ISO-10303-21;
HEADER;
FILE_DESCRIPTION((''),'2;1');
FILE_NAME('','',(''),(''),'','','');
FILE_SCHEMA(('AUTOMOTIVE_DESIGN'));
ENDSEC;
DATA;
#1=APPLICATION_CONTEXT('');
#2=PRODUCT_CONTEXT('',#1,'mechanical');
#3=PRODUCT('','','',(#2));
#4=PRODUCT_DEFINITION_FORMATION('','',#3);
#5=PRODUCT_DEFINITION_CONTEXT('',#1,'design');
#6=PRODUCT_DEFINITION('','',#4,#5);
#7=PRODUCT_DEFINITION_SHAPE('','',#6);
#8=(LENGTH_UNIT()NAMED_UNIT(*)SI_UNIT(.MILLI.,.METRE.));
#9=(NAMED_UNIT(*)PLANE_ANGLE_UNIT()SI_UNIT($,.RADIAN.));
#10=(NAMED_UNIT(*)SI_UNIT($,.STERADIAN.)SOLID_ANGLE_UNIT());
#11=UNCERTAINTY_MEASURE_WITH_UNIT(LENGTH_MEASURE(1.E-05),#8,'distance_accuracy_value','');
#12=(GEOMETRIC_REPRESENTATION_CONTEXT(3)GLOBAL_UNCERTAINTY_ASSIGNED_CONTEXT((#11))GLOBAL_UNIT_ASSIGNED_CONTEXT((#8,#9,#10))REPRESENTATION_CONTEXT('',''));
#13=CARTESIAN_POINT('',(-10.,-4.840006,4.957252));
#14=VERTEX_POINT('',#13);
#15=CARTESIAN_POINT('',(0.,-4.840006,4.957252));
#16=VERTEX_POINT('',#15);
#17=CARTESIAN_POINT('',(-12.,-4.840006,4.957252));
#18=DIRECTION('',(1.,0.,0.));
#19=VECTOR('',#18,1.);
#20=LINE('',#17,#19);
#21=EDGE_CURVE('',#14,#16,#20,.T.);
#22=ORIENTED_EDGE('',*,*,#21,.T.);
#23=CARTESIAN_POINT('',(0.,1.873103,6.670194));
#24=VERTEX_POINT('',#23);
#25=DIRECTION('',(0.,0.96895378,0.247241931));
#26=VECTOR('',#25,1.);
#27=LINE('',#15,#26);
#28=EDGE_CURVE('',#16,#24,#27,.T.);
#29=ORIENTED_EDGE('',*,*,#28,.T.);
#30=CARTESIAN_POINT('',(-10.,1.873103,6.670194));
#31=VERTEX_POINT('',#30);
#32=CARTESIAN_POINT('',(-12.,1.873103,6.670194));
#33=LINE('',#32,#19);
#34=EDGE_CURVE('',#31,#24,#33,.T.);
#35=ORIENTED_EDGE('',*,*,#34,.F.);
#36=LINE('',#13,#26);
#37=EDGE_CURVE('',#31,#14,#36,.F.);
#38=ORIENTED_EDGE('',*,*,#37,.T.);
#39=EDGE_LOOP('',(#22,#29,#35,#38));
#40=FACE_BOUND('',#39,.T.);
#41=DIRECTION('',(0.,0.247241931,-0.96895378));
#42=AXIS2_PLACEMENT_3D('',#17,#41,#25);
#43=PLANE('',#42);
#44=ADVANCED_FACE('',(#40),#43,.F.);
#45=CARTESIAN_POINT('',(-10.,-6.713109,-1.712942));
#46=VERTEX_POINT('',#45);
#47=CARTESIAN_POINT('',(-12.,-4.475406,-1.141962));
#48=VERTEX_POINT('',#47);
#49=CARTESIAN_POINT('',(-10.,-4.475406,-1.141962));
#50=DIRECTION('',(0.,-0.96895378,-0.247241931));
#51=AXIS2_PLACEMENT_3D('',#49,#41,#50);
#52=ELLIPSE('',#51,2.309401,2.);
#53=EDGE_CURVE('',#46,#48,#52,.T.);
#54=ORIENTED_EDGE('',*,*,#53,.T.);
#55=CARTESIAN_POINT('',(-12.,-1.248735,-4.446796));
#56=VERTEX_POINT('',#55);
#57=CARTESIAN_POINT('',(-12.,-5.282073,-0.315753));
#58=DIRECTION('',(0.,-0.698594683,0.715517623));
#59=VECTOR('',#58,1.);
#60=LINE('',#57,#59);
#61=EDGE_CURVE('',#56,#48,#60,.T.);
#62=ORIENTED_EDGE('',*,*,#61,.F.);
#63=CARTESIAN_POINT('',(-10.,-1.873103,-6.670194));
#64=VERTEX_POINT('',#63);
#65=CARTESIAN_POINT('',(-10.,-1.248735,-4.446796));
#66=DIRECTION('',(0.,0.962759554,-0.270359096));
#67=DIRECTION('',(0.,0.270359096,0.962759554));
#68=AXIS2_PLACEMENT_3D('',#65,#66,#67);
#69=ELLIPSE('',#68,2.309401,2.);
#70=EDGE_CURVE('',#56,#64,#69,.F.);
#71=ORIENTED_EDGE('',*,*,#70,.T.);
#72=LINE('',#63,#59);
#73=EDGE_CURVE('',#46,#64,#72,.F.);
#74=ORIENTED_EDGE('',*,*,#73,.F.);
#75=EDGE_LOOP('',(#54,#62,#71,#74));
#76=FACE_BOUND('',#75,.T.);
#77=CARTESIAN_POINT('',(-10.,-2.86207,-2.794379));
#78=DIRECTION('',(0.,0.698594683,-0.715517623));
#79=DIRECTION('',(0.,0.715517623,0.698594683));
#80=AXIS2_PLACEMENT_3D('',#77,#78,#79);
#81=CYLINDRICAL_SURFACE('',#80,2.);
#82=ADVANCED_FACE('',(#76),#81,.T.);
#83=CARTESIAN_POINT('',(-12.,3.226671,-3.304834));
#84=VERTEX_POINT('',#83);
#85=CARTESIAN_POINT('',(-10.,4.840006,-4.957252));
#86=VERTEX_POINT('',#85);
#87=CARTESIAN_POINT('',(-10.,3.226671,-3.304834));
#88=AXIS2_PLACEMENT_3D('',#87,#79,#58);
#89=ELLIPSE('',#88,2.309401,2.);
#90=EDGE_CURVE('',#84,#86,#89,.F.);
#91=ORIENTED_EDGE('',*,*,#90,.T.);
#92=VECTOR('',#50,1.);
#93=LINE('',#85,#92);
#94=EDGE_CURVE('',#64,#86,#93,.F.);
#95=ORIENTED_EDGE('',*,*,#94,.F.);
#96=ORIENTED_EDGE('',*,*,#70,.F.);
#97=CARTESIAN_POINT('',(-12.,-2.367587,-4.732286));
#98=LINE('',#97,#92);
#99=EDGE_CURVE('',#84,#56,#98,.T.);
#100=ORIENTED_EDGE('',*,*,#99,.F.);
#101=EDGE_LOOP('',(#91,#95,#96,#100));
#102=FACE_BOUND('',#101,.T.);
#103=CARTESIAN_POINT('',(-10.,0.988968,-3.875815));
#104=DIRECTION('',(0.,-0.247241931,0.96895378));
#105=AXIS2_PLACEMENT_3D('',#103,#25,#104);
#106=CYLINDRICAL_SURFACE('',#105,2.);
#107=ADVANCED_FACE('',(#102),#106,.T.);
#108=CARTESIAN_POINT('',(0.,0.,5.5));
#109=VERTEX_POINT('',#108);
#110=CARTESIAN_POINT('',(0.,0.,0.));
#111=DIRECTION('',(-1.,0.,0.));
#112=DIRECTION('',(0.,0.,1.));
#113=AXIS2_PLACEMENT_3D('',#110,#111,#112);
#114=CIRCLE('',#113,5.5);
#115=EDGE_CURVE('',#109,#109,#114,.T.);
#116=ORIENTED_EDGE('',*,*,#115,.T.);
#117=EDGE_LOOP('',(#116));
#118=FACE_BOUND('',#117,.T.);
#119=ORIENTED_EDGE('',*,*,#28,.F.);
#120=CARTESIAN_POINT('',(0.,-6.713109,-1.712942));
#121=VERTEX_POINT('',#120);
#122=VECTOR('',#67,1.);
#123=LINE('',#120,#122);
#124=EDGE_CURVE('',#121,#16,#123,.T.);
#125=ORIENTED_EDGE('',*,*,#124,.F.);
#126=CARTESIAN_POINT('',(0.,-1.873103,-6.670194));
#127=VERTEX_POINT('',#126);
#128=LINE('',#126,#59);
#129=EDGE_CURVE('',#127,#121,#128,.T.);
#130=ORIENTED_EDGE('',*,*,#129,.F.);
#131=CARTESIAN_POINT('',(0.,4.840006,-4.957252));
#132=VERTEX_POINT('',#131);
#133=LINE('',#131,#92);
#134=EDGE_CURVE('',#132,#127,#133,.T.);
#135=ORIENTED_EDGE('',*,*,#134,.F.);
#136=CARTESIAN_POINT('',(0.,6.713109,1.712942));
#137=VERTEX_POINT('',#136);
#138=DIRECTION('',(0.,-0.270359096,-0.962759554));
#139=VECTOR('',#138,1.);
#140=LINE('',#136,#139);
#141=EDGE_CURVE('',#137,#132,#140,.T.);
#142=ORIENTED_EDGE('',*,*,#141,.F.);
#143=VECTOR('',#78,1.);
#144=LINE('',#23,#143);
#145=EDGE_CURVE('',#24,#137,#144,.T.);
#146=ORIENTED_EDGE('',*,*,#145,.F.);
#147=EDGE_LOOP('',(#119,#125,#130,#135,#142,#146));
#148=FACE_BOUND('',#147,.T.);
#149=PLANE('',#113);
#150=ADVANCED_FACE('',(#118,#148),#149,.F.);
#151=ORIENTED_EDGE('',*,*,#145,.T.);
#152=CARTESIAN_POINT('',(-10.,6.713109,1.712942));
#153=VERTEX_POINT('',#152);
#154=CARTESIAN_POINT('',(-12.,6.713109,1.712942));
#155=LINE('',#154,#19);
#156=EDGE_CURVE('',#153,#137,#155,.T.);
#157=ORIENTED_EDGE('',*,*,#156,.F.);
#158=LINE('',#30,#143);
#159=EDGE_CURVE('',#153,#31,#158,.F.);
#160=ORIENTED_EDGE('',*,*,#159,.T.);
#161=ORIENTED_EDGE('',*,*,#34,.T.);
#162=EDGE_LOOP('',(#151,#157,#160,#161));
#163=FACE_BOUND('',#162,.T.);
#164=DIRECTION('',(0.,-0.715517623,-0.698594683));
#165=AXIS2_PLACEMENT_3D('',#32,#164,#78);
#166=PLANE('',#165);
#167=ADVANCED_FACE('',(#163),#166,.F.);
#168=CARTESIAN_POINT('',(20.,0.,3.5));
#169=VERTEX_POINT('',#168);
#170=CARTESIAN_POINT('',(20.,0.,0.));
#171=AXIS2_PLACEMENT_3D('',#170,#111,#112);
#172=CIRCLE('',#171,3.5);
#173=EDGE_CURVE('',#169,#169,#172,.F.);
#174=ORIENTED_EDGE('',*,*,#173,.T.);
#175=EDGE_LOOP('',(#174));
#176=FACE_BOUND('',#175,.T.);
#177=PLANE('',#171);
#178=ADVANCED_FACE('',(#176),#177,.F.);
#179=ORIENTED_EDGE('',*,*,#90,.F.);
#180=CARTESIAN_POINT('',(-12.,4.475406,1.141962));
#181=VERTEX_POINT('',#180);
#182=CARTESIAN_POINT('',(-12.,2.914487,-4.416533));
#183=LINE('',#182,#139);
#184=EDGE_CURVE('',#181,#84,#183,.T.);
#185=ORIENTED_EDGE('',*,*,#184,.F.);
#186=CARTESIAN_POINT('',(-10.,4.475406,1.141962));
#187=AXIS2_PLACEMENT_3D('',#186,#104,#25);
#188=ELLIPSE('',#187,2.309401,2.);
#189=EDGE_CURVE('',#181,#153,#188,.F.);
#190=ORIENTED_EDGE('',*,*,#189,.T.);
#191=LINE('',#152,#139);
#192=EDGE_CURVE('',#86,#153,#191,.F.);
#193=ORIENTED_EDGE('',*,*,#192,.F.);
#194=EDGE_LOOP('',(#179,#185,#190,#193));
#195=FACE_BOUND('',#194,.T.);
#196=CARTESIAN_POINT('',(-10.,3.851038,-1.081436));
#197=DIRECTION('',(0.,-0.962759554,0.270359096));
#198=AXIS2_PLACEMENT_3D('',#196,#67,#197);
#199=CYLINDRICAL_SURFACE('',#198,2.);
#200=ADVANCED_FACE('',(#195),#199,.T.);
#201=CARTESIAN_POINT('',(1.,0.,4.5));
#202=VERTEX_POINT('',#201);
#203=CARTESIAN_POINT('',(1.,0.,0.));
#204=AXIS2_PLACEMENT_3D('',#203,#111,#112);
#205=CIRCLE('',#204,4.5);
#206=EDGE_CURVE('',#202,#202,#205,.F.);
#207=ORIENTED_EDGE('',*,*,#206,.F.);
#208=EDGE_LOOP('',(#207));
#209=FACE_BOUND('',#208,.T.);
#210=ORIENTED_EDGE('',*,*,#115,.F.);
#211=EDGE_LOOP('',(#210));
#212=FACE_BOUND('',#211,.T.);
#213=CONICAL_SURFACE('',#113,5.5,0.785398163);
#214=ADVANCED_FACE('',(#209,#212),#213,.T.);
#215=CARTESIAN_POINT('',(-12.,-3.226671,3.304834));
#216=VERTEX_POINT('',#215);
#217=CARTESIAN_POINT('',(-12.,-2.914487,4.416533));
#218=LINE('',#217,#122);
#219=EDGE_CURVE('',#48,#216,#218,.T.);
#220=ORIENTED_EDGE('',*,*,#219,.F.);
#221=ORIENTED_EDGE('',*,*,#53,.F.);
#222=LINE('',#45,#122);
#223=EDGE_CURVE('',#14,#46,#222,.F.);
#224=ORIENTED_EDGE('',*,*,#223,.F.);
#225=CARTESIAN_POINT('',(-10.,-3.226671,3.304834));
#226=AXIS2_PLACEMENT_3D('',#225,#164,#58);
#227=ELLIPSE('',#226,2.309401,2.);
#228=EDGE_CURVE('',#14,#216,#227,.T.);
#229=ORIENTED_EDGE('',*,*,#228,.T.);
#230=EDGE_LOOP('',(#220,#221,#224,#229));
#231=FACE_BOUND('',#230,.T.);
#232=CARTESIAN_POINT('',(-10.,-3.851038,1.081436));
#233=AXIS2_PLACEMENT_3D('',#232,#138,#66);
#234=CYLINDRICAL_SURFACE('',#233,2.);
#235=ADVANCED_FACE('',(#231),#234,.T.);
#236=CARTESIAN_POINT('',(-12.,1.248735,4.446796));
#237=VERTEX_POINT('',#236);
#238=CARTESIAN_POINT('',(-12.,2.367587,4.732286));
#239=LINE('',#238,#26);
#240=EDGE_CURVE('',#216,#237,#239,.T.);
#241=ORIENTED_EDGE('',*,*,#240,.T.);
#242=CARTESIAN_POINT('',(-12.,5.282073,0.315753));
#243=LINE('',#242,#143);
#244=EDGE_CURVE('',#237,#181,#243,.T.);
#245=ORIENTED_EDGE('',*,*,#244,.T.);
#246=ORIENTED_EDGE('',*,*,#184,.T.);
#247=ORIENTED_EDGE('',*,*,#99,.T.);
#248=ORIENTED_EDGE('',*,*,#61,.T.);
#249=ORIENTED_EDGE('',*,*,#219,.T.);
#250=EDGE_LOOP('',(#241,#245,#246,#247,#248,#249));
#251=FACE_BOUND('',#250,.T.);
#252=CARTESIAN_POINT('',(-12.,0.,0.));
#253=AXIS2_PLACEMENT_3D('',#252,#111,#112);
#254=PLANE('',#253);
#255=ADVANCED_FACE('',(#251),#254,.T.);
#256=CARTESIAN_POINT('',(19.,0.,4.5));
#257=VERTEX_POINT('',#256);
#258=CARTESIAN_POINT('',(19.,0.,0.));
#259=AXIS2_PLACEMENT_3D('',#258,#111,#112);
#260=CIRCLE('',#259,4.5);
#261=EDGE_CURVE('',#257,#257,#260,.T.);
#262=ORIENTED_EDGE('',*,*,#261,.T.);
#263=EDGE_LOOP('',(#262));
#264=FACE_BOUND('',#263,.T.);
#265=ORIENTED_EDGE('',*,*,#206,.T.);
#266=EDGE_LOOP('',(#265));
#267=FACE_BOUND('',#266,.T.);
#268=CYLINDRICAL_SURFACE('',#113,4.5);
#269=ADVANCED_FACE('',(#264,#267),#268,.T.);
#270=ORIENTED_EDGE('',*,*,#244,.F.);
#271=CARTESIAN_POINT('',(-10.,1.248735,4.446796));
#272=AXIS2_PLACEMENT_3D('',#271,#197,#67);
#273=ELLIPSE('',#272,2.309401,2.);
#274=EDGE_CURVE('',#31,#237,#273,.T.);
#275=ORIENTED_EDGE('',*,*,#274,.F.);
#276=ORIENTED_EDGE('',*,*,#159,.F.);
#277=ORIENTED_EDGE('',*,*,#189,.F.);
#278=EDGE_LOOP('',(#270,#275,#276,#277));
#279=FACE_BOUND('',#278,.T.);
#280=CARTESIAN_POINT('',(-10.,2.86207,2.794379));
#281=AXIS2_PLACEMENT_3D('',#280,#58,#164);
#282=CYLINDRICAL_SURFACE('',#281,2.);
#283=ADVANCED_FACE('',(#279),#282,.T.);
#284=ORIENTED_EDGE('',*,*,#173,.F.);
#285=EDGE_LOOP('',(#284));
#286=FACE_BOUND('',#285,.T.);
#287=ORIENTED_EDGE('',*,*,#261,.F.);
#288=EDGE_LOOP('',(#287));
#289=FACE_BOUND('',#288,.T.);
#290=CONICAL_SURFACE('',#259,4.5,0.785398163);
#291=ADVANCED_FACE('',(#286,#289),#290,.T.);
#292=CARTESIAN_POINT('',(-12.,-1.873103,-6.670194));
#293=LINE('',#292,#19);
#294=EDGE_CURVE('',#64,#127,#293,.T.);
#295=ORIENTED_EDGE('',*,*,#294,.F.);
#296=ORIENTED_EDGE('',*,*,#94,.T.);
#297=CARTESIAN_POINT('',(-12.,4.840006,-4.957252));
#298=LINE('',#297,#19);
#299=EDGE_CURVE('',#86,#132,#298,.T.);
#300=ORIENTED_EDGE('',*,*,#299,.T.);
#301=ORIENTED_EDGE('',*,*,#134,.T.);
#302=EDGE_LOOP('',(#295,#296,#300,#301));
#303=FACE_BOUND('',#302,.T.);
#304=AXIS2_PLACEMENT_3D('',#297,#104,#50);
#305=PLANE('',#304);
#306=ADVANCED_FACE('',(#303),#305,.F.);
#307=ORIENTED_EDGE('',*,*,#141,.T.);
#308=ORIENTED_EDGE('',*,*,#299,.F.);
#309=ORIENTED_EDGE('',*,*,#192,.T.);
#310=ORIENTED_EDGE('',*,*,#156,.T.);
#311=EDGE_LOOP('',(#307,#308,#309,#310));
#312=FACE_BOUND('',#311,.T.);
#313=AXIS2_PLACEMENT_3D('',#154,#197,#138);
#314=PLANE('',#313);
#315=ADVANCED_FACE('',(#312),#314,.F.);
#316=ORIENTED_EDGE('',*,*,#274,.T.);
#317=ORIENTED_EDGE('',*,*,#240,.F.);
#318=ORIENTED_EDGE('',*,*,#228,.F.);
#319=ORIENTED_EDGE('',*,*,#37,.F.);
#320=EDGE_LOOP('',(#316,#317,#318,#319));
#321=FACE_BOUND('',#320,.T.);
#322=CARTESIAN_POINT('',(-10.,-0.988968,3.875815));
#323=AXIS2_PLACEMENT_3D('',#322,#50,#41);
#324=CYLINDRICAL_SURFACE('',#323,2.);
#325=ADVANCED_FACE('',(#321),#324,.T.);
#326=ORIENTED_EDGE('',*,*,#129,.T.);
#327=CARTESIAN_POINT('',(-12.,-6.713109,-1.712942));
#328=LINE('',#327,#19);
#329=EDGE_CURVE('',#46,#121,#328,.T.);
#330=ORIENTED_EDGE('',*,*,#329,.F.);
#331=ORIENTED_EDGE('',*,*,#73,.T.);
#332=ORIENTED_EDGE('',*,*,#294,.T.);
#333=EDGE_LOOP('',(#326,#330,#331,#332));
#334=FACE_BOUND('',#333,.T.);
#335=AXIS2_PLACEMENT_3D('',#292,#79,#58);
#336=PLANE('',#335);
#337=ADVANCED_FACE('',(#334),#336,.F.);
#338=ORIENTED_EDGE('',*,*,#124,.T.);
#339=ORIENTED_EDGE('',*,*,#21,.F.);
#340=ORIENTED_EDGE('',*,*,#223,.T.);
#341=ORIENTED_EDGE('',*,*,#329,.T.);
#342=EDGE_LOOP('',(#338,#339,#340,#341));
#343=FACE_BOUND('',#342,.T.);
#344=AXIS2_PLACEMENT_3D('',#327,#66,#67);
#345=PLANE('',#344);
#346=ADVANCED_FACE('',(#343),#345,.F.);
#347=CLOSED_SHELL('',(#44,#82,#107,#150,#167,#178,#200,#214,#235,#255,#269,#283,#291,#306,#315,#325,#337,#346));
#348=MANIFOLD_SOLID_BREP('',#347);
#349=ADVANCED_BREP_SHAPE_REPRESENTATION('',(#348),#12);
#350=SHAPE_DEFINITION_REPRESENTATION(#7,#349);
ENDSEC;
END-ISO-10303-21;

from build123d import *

# Parameters (mm, degrees)
SKETCH_1_W      = 20
SKETCH_1_H      = 4.5
EXTRUDE_1_DEPTH = 12
FILLET_1_R      = 2
CHAMFER_1_SIZE  = 1


with BuildPart() as part:
    # 草圖1 → 旋轉1 (revolve)
    with BuildSketch(Plane.XY, mode=Mode.PRIVATE) as revolve_1_sk:
        with Locations((10, 2.25)):
            Rectangle(SKETCH_1_W, SKETCH_1_H)
    revolve(revolve_1_sk.sketch.rotate(Axis((0, 0, 0), (1, 0, 0)), 90), axis=Axis((0, 0, 0), (1, 0, 0)))

    # 草圖2 → 填料-伸長1 (add)
    with BuildSketch(Plane.ZY):
        Polygon((1.712942348, 6.713108707), (-4.957251505, 4.840005942), (-6.670193853, -1.873102765), (-1.712942348, -6.713108707), (4.957251505, -4.840005942), (6.670193853, 1.873102765), align=None)
    extrude(amount=EXTRUDE_1_DEPTH)

    # 圓角1
    fillet_1_edges = [part.edges().sort_by_distance(p)[0] for p in [
        (-12, 4.293105736, 4.1915681),
        (-12, 5.776557325, -1.622154578),
        (-12, 1.483451589, -5.813722679),
        (-12, -4.293105736, -4.1915681),
        (-12, -5.776557325, 1.622154578),
        (-12, -1.483451589, 5.813722679),
    ]]
    fillet(fillet_1_edges, radius=FILLET_1_R)

    # 導角1
    chamfer_1_edges = [part.edges().sort_by_distance(p)[0] for p in [
        (20, 0, -4.5),
        (0, 0, -4.5),
    ]]
    chamfer(chamfer_1_edges, length=CHAMFER_1_SIZE)


solid = part.part
